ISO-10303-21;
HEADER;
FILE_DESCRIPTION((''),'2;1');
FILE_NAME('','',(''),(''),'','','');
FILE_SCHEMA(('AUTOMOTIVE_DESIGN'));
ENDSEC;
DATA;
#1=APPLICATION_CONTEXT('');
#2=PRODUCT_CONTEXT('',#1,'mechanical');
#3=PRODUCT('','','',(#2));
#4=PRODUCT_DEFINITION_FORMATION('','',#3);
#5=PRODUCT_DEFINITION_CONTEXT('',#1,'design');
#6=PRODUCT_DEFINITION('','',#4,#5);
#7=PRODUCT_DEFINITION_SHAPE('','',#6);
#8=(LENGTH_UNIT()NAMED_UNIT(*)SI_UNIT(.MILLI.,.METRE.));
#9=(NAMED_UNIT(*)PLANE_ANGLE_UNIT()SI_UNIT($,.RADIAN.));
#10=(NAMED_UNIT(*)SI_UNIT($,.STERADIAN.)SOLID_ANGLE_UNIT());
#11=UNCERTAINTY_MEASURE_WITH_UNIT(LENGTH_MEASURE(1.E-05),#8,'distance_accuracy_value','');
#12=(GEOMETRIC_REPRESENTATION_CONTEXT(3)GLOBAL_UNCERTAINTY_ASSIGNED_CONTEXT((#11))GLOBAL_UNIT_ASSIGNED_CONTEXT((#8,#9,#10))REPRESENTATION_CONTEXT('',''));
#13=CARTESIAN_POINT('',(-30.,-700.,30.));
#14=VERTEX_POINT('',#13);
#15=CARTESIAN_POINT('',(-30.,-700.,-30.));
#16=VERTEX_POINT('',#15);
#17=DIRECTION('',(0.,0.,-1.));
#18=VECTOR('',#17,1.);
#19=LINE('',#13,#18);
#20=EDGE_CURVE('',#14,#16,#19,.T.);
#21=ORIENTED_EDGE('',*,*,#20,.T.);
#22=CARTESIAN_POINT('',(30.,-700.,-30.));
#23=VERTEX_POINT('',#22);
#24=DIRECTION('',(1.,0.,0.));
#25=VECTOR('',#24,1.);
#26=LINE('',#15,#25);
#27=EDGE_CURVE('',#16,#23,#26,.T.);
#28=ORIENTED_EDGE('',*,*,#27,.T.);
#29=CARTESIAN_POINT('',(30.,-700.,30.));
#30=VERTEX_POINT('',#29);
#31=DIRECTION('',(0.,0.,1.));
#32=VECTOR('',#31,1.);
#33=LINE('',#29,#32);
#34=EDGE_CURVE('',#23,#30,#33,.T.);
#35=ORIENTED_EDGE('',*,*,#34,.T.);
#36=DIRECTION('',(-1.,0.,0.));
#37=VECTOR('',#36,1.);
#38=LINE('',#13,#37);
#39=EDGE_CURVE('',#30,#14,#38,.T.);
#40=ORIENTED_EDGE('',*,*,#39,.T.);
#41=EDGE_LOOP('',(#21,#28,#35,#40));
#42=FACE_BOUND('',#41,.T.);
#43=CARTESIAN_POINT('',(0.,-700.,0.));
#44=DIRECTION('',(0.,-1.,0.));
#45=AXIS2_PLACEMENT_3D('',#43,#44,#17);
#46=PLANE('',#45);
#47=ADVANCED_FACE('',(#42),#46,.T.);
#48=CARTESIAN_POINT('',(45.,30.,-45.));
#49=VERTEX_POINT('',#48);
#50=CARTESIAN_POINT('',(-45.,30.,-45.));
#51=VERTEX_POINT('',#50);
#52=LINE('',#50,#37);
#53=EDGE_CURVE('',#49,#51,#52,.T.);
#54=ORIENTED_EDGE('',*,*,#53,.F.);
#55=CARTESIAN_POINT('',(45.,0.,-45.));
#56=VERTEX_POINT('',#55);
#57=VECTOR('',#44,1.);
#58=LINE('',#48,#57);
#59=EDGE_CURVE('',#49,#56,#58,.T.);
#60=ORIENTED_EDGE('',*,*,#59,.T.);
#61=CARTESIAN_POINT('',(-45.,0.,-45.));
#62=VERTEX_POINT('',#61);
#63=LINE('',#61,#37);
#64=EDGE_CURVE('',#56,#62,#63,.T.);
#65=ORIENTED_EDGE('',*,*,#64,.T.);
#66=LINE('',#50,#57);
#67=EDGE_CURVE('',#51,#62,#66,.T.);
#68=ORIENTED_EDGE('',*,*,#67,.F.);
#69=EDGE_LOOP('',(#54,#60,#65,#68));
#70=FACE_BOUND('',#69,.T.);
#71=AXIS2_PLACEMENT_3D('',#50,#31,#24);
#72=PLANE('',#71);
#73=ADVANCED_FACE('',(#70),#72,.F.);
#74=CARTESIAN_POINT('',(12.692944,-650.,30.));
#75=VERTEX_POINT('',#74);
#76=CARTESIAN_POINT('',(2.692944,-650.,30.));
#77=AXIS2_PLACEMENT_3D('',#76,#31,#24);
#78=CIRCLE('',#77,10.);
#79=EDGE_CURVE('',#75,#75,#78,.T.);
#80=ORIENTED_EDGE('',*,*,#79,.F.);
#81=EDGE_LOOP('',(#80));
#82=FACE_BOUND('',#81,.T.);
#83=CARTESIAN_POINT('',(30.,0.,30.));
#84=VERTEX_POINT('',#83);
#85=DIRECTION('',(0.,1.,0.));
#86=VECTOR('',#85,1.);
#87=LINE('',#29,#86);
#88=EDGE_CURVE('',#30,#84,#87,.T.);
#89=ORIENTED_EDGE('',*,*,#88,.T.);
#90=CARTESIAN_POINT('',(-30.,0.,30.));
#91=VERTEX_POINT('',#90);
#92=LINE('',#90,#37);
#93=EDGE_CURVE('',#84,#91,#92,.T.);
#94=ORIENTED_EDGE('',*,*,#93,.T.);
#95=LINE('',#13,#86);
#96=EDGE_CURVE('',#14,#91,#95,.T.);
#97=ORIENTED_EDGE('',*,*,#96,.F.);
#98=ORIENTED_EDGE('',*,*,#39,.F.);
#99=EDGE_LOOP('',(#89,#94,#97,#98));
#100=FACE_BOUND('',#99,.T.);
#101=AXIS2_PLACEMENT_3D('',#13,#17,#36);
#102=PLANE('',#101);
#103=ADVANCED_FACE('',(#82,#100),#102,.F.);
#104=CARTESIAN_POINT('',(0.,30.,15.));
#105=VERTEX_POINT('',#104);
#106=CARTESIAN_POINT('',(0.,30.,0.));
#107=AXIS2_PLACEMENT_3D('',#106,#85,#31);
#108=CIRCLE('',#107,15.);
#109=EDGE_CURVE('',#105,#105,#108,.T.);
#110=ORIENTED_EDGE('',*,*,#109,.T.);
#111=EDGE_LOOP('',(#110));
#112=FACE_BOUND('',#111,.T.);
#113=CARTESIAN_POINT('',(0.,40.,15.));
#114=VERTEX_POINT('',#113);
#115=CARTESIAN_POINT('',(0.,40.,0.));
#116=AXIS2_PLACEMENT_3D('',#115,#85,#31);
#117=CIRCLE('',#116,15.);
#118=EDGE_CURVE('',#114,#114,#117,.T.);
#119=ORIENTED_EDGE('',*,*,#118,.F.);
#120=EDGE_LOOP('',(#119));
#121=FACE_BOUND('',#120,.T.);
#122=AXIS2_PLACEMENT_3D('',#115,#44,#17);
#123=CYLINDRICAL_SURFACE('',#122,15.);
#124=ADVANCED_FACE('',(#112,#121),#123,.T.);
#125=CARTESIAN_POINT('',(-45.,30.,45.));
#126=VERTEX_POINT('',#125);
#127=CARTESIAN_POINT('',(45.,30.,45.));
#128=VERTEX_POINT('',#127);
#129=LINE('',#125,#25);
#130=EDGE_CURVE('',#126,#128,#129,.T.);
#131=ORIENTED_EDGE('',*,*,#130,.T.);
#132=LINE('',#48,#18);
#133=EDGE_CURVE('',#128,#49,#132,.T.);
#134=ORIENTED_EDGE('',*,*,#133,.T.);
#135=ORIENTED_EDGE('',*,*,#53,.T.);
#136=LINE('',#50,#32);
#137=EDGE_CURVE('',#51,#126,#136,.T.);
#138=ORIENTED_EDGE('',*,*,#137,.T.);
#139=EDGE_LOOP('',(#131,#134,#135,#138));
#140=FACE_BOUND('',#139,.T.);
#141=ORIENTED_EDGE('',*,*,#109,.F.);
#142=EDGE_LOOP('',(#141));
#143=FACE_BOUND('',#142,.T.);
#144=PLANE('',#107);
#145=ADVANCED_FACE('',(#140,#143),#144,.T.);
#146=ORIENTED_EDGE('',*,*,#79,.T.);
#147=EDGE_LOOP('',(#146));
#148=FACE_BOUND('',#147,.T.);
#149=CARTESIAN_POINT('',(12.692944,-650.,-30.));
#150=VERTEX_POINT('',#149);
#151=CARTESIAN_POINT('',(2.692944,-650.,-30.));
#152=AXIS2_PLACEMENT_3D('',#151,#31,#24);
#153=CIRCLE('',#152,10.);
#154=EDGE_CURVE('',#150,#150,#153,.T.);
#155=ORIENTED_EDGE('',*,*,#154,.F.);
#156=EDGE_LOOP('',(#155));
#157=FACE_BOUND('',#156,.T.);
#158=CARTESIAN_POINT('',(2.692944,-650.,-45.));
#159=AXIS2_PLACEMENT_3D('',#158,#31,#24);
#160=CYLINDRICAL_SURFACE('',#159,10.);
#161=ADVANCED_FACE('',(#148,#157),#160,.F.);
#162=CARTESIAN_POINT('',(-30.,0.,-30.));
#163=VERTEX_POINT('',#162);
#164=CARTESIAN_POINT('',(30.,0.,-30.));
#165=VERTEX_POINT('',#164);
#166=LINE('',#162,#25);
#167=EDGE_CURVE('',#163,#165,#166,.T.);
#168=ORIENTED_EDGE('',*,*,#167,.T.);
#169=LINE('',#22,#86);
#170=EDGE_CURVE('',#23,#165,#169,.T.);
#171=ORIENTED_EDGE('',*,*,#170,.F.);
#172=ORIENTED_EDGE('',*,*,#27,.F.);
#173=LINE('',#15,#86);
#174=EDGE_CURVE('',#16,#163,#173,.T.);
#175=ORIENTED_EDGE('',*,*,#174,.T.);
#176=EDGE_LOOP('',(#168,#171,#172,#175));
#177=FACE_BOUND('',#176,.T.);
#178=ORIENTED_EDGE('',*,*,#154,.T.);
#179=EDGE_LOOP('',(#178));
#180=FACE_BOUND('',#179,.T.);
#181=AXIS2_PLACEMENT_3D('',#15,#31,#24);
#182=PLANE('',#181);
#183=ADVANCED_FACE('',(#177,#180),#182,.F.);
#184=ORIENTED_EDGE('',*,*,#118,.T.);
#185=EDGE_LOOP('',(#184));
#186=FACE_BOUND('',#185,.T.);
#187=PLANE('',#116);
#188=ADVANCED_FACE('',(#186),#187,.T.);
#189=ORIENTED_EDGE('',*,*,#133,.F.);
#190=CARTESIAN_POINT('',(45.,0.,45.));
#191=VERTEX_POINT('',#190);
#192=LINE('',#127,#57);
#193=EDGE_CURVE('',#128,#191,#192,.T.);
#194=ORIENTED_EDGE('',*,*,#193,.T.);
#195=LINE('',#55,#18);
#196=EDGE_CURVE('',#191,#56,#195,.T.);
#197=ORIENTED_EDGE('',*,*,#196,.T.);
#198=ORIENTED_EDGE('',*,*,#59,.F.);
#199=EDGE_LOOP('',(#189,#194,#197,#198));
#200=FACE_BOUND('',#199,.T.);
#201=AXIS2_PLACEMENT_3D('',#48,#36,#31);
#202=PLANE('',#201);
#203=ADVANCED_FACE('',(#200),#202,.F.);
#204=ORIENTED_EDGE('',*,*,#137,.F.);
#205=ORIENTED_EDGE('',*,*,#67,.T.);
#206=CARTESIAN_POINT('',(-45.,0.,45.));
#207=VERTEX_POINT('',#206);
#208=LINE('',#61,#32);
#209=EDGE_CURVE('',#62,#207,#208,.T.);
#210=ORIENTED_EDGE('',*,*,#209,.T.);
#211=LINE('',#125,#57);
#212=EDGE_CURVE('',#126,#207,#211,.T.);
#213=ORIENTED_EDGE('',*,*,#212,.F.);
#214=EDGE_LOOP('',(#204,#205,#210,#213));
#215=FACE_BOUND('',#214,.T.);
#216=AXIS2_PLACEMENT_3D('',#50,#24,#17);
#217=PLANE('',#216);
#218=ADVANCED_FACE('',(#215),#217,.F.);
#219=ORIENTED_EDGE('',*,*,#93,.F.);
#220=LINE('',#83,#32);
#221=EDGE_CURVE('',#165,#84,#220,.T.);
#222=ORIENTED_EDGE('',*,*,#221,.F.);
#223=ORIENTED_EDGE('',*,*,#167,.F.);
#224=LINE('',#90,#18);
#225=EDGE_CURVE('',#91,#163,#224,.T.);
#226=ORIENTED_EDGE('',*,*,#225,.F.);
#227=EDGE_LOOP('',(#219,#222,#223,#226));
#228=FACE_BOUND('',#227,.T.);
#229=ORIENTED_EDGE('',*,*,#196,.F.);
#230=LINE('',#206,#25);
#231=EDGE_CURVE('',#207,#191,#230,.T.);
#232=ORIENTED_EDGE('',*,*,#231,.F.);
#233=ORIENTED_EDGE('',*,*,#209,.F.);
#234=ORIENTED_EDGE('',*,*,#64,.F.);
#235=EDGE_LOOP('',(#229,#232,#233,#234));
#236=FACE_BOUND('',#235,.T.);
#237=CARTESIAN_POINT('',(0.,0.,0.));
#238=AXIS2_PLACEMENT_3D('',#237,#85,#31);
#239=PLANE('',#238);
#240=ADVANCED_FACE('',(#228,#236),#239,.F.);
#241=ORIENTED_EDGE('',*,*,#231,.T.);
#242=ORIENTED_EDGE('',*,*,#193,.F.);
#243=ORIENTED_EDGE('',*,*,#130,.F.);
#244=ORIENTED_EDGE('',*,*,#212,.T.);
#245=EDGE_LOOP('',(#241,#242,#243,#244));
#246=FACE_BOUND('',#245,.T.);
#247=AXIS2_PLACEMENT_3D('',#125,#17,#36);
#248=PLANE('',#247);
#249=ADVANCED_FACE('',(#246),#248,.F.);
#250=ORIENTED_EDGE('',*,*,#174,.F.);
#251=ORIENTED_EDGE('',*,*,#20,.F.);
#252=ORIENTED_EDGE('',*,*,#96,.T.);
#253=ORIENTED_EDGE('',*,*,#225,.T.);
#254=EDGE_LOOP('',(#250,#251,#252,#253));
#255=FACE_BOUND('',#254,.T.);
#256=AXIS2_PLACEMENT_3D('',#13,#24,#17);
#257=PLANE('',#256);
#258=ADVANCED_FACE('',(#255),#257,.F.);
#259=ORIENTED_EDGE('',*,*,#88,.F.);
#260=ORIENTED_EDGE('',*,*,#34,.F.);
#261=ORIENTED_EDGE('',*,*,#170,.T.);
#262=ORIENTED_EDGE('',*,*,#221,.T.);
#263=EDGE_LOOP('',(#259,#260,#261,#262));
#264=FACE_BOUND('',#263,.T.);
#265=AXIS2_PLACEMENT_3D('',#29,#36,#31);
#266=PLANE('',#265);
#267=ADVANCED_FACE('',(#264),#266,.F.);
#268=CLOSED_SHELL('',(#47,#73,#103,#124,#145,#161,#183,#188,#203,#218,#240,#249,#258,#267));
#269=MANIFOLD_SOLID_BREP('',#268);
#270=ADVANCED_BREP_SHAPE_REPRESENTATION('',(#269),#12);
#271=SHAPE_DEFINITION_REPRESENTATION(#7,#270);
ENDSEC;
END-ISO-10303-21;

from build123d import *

# Parameters (mm, degrees)
SKETCH1_W           = 90
SKETCH1_H           = 90
BOSS_EXTRUDE1_DEPTH = 30
SKETCH2_W           = 60
SKETCH2_H           = 60
BOSS_EXTRUDE2_DEPTH = 700
SKETCH3_R           = 10
CUT_EXTRUDE1_DEPTH  = 76
SKETCH4_R           = 15
BOSS_EXTRUDE3_DEPTH = 10


with BuildPart() as part:
    # Sketch1 → Boss-Extrude1 (new body)
    with BuildSketch(Plane(origin=(0, 0, 0), x_dir=(1, 0, 0), z_dir=(0, 1, 0))):
        Rectangle(SKETCH1_W, SKETCH1_H)
    extrude(amount=BOSS_EXTRUDE1_DEPTH)

    # Sketch2 → Boss-Extrude2 (add)
    with BuildSketch(Plane.XZ):
        Rectangle(SKETCH2_W, SKETCH2_H)
    extrude(amount=BOSS_EXTRUDE2_DEPTH)

    # Sketch3 → Cut-Extrude1 (cut, through all)
    with BuildSketch(Plane.XY.offset(30)):
        with Locations((2.6929442, -650)):
            Circle(SKETCH3_R)
    extrude(amount=-CUT_EXTRUDE1_DEPTH, mode=Mode.SUBTRACT)

    # Sketch4 → Boss-Extrude3 (add)
    with BuildSketch(Plane(origin=(0, 30, 0), x_dir=(1, 0, 0), z_dir=(0, 1, 0))):
        Circle(SKETCH4_R)
    extrude(amount=BOSS_EXTRUDE3_DEPTH)


solid = part.part
